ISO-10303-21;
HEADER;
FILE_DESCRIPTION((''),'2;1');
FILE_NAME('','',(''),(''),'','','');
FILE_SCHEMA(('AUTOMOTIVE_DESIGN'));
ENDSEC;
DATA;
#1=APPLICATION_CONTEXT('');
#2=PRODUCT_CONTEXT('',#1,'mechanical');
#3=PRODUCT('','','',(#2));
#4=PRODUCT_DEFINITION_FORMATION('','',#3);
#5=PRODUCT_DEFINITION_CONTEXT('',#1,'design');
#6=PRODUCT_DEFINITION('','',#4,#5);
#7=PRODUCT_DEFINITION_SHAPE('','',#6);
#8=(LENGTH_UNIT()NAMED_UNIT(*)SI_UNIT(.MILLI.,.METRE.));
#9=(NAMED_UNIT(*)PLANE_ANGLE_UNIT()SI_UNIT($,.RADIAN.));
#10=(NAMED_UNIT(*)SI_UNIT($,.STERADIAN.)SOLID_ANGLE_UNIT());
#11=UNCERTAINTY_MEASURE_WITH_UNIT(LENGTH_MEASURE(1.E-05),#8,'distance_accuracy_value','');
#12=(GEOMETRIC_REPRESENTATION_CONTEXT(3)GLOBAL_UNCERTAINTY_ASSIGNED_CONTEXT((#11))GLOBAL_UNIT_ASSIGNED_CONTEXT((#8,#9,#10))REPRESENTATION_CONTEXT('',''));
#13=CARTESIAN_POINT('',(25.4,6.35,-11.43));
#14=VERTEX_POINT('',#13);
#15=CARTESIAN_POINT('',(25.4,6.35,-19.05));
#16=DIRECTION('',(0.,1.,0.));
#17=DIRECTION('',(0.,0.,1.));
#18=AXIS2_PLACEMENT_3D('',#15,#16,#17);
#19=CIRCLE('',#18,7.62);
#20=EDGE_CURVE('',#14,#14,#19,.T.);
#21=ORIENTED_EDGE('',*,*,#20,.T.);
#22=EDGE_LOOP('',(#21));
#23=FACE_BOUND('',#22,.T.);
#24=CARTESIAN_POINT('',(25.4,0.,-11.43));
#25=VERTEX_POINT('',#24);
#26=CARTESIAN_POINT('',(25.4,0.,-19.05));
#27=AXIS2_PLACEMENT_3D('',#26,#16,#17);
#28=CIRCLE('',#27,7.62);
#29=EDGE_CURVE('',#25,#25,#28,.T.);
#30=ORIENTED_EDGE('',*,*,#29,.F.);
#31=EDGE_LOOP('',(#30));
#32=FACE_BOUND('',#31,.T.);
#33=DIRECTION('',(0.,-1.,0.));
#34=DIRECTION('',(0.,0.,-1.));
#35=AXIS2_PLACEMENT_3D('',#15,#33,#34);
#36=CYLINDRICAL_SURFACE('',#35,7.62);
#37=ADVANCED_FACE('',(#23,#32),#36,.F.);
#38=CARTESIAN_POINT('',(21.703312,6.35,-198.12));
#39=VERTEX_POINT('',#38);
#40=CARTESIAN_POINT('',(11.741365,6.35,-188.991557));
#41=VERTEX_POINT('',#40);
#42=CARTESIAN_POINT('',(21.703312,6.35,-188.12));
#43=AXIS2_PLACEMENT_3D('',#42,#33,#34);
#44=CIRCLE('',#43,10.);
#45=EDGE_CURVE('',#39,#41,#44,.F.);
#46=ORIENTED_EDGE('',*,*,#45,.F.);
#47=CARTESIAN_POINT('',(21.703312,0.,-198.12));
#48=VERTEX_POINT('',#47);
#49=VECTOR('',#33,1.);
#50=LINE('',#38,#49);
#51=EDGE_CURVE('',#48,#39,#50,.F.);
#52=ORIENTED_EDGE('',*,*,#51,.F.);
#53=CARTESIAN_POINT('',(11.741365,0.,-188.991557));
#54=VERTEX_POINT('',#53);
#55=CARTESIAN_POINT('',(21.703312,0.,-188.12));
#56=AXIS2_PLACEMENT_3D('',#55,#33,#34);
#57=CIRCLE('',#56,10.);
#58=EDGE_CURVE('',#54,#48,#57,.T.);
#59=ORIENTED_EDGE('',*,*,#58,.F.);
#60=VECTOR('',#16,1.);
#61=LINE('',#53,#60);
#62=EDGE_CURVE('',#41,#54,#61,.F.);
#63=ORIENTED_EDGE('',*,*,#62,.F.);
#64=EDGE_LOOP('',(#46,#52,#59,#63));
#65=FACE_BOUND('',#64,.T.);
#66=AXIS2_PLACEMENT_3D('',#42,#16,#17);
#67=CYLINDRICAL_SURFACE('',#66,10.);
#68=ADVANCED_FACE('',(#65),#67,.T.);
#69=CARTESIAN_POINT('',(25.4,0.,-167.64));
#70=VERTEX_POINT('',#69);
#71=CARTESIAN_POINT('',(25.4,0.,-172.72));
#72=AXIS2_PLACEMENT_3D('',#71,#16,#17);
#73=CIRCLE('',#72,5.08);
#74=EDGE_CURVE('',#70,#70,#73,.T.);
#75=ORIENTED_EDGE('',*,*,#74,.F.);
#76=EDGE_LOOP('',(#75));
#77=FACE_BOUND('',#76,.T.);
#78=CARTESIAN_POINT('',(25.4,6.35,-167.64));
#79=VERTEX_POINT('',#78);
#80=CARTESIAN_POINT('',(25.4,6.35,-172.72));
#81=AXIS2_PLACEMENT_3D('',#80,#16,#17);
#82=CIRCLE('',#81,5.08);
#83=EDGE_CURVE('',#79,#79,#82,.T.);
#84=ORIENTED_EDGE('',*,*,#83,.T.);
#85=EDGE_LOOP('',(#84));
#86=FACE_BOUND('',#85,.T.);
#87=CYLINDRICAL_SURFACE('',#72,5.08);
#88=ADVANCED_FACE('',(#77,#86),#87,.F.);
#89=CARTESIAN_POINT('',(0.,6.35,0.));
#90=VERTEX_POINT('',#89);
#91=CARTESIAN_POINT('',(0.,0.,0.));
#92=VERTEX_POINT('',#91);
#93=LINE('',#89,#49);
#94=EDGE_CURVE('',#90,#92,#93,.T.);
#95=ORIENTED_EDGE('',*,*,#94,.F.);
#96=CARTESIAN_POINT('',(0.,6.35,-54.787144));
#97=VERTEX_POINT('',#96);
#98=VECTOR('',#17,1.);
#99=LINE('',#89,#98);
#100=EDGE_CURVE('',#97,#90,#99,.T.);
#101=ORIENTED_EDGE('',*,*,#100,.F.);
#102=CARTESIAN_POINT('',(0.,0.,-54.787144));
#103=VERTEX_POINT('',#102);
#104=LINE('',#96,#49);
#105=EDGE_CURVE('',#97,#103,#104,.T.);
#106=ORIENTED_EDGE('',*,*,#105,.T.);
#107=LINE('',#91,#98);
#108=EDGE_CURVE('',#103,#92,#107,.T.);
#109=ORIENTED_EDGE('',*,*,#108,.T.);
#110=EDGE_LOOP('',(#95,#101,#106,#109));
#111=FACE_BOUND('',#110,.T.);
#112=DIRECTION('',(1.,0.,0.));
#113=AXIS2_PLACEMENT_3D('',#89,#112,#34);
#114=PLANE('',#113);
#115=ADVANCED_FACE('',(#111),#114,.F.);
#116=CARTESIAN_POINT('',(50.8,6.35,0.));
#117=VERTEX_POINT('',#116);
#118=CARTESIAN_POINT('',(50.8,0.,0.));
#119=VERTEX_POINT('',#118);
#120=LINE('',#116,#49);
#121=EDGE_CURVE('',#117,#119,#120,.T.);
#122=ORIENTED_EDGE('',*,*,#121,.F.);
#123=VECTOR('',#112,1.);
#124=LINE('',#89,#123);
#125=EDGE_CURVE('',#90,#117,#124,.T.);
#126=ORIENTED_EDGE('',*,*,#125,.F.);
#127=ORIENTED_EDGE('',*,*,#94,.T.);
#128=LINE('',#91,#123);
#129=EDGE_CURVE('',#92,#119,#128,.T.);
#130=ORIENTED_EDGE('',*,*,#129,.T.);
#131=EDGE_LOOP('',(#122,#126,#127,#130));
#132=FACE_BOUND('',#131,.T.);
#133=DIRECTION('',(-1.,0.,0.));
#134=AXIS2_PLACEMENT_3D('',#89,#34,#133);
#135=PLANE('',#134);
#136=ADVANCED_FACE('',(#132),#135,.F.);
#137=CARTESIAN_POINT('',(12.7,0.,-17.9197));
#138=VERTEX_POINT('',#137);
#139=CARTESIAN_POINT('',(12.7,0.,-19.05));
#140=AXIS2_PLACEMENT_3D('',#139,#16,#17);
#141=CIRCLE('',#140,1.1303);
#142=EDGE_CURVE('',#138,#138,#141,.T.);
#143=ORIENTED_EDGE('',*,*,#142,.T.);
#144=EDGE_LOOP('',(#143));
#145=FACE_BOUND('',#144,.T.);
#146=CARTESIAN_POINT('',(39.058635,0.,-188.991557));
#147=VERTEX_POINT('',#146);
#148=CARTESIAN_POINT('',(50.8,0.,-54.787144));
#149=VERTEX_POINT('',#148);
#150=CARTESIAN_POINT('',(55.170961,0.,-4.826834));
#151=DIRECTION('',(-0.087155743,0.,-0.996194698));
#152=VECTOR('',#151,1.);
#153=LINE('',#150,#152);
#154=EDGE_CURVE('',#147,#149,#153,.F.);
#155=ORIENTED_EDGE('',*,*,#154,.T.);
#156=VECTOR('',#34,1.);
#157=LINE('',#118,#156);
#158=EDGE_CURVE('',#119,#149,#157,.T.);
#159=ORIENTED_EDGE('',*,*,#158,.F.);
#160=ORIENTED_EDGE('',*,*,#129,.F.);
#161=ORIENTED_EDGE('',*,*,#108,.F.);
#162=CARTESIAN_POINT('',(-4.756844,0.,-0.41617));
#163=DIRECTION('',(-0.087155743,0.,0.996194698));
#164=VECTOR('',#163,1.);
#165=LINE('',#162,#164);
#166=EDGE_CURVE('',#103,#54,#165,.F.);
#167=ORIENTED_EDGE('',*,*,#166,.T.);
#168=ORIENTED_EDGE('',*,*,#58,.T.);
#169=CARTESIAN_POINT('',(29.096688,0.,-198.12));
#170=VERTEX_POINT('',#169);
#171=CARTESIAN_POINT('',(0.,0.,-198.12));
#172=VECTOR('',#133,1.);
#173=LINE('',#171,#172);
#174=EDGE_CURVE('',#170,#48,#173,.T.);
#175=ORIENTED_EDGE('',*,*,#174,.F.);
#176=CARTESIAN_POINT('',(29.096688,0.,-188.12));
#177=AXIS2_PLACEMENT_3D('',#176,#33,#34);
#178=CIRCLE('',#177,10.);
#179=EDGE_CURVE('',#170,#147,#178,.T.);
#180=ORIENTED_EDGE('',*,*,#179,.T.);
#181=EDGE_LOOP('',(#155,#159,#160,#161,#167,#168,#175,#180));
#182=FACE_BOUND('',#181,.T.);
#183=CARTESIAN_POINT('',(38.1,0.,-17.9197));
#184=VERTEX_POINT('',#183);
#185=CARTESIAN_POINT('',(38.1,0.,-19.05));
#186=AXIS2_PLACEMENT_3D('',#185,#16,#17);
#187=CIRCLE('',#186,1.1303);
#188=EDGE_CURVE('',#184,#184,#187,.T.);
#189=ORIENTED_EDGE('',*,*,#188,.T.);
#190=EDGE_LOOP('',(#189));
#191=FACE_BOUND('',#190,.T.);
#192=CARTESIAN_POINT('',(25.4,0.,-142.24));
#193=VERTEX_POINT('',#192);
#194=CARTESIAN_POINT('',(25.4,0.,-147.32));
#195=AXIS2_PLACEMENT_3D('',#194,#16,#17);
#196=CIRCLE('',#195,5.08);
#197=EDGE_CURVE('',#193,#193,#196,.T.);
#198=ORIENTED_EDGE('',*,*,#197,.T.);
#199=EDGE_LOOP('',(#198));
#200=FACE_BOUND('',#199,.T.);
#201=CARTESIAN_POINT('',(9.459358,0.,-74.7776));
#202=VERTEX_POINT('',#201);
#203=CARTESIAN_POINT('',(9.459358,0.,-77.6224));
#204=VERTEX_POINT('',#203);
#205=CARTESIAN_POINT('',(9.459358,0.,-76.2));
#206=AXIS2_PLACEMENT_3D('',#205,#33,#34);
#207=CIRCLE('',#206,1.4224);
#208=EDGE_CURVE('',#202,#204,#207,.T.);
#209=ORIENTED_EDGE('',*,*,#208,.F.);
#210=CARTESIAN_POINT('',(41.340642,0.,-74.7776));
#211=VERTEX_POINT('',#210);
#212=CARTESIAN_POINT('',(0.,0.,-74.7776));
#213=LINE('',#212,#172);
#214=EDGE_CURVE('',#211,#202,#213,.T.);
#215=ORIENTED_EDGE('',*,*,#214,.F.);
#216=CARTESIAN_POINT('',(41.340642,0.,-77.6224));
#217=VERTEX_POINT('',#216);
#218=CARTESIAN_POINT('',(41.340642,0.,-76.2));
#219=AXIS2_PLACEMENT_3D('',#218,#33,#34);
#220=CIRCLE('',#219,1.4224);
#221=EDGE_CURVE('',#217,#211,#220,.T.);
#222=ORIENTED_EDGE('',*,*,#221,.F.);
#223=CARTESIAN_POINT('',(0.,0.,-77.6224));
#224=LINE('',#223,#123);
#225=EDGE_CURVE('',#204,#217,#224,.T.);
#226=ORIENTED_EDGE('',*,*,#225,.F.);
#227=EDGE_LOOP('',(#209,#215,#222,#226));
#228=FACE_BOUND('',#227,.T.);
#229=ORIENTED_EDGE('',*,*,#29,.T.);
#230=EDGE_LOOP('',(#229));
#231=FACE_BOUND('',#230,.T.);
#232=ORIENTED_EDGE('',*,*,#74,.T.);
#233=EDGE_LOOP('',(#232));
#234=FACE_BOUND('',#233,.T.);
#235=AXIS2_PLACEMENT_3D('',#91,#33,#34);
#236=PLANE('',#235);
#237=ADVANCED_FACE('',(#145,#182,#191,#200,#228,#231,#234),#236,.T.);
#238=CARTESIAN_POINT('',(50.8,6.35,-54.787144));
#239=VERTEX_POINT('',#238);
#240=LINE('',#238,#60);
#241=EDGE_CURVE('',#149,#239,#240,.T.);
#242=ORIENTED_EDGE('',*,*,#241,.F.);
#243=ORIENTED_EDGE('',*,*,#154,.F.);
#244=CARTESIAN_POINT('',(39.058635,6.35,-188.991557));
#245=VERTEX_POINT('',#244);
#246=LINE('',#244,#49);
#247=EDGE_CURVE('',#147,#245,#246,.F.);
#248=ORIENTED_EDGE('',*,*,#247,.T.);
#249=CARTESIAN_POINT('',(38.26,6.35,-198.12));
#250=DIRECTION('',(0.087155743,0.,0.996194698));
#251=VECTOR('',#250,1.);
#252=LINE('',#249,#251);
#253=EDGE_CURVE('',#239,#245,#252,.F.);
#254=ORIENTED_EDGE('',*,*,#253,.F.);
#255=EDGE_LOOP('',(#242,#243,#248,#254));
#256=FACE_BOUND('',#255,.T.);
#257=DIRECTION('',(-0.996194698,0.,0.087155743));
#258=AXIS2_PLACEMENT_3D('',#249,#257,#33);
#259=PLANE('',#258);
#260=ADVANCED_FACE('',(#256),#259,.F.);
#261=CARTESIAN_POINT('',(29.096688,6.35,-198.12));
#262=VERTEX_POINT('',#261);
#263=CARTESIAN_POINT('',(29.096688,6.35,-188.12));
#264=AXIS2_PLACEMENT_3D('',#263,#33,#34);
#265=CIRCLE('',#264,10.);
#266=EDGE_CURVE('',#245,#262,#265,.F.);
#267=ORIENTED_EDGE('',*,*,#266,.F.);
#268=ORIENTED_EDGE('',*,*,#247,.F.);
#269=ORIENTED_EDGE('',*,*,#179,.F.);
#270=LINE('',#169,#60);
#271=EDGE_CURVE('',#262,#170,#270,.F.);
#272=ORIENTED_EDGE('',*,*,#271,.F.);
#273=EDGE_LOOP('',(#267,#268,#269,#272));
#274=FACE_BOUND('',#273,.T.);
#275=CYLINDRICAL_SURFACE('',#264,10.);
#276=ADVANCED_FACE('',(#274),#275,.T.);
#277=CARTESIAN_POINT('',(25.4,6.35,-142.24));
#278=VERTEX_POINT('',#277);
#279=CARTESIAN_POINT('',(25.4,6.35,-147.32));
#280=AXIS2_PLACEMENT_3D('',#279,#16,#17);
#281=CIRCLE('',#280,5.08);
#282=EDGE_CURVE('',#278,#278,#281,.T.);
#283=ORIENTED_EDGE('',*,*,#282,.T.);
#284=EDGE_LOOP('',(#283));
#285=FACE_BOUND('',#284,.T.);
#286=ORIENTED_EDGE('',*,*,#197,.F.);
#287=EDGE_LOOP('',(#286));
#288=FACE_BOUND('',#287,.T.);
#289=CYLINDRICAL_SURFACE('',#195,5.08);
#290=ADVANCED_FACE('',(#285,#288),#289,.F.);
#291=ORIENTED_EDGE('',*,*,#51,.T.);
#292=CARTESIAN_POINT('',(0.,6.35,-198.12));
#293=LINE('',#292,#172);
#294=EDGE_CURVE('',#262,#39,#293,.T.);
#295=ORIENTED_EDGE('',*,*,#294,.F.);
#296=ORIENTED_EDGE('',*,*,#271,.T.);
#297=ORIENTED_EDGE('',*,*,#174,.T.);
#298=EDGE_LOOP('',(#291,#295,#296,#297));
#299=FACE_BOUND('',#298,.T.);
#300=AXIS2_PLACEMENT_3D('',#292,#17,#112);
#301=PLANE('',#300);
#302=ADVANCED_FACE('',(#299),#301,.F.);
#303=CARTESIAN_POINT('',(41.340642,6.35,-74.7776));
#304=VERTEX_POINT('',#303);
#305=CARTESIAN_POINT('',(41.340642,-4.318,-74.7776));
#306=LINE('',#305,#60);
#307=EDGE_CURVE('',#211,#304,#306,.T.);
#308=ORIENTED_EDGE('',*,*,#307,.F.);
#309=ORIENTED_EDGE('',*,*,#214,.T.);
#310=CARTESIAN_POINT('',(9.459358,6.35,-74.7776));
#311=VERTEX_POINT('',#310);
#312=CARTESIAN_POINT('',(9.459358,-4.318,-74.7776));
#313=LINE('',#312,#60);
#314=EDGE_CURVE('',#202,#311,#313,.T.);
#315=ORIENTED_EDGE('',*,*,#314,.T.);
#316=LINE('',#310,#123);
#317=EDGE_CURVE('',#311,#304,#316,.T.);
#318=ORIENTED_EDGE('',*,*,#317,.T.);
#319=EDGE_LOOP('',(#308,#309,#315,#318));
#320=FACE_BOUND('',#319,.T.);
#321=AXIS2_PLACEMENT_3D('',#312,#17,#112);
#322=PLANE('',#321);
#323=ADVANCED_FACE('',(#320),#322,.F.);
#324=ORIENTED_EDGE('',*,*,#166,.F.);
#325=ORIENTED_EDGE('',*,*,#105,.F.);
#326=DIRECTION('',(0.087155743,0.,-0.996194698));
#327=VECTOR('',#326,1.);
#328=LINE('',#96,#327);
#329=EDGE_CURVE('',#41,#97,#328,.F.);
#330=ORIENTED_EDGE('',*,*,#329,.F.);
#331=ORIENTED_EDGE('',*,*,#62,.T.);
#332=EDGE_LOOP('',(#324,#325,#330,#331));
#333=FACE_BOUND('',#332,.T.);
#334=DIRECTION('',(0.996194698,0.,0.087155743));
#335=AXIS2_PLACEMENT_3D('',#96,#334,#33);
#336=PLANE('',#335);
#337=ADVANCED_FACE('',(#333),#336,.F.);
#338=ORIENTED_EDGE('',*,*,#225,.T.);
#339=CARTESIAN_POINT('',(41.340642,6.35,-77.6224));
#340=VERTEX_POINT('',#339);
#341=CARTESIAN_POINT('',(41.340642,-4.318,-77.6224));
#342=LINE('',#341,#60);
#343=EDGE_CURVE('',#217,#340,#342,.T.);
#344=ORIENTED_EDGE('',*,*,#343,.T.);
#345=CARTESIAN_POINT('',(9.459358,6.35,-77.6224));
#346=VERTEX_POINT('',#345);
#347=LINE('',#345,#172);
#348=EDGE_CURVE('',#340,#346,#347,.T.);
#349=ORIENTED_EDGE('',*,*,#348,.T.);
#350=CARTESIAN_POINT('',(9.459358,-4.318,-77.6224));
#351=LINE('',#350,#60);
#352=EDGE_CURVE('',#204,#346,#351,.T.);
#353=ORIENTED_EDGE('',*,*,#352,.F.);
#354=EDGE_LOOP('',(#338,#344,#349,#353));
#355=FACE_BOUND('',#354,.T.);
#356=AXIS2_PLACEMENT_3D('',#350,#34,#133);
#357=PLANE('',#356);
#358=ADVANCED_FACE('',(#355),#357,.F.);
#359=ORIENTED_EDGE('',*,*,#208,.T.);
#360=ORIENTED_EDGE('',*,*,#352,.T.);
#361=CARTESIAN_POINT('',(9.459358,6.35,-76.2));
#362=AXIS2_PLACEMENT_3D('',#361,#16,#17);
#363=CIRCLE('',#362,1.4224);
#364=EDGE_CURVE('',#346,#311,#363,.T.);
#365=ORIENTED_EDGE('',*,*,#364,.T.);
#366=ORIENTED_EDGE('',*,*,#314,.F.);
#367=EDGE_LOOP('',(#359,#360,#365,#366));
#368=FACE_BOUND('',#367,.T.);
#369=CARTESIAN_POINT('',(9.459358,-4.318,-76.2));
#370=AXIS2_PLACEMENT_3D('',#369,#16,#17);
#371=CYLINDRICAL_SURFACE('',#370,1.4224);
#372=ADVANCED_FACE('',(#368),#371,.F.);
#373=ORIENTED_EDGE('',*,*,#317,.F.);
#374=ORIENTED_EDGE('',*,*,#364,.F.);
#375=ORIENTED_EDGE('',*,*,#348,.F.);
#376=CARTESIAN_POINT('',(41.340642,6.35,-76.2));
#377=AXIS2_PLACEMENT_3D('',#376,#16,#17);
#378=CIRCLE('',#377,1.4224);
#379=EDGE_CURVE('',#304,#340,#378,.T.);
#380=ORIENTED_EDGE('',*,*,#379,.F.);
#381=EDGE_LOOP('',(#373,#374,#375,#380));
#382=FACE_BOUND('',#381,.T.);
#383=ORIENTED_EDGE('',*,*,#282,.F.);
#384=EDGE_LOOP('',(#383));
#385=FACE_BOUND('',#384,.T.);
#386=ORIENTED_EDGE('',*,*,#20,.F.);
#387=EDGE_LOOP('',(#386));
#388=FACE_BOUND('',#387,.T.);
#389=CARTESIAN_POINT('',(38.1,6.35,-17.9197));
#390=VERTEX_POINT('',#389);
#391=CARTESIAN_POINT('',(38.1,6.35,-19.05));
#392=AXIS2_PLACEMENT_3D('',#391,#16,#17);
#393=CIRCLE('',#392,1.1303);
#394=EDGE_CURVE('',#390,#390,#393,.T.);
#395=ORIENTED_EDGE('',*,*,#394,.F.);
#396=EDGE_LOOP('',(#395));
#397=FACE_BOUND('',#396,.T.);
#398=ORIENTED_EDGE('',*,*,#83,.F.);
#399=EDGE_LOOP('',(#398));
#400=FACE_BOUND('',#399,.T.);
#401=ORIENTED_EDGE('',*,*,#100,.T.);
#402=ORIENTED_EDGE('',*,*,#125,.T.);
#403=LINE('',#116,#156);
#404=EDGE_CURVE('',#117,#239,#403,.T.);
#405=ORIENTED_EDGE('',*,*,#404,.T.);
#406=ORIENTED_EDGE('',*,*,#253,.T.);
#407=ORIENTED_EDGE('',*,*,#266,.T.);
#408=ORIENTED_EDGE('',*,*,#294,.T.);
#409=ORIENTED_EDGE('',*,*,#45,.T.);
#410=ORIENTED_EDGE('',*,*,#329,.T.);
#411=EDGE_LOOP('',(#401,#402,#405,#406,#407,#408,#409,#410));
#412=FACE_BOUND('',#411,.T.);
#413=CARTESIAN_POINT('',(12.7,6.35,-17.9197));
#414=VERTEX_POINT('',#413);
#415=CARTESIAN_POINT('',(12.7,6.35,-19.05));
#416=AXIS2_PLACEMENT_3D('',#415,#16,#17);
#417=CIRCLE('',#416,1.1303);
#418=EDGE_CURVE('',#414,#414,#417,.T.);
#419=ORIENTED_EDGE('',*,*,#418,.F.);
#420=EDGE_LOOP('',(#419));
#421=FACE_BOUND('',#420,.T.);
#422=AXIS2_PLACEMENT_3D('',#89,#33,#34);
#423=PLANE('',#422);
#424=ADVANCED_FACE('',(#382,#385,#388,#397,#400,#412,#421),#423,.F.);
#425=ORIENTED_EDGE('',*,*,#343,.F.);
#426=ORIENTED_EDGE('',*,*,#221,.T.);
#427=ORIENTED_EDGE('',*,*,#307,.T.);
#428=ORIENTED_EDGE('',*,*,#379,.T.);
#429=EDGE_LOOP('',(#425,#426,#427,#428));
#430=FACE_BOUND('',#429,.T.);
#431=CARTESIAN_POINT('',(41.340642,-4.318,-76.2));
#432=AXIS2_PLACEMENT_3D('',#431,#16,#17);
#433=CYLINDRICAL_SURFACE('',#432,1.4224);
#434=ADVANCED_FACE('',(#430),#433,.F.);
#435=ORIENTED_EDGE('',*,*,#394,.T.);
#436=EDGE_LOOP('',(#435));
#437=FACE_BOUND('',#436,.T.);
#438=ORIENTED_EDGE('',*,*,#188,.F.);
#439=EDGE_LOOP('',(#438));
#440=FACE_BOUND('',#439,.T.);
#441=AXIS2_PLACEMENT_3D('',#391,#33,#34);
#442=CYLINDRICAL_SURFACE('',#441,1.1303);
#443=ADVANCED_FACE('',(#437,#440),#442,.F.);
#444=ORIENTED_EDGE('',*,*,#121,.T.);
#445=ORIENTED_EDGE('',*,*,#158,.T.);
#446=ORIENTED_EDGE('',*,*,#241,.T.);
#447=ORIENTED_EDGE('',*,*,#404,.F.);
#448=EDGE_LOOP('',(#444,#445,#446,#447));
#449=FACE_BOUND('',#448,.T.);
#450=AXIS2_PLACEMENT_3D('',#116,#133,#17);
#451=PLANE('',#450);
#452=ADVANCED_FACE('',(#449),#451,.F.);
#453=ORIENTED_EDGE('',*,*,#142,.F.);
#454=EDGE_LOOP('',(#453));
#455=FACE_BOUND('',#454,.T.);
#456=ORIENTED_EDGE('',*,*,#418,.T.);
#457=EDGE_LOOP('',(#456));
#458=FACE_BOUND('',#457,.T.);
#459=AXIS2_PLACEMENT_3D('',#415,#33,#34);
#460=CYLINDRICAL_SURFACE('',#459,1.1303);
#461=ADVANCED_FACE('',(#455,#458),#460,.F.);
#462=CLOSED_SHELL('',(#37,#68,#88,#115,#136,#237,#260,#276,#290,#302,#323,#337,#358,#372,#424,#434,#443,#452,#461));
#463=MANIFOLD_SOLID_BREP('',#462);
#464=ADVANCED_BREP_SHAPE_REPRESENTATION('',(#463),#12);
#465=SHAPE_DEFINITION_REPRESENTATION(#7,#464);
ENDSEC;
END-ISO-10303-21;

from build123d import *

# Parameters (mm, degrees)
SKETCH1_W           = 50.8
SKETCH1_H           = 198.12
SKETCH1_R           = 1.1303
SKETCH1_R_2         = 7.62
BOSS_EXTRUDE1_DEPTH = 6.35
SKETCH2_R           = 5.08
CUT_EXTRUDE1_DEPTH  = 6.35
CHAMFER1_SIZE       = 12.54
CHAMFER1_SIZE2      = 143.332855877
FILLET1_R           = 10
CUT_EXTRUDE2_DEPTH  = 10.668


with BuildPart() as part:
    # Sketch1 → Boss-Extrude1 (new body)
    with BuildSketch(Plane(origin=(0, 0, 0), x_dir=(1, 0, 0), z_dir=(0, 1, 0))):
        with Locations((25.4, 99.06)):
            Rectangle(SKETCH1_W, SKETCH1_H)
        with Locations(Location((12.7, 19.05, 0), (0, 0, 270))):
            Circle(SKETCH1_R, mode=Mode.SUBTRACT)
        with Locations(Location((38.1, 19.05, 0), (0, 0, 270))):
            Circle(SKETCH1_R, mode=Mode.SUBTRACT)
        with Locations(Location((25.4, 19.05, 0), (0, 0, 270))):
            Circle(SKETCH1_R_2, mode=Mode.SUBTRACT)
    extrude(amount=BOSS_EXTRUDE1_DEPTH)

    # Sketch2 → Cut-Extrude1 (cut)
    with BuildSketch(Plane(origin=(0, 6.35, 0), x_dir=(1, 0, 0), z_dir=(0, 1, 0))):
        with Locations(Location((25.4, 172.72, 0), (0, 0, 270))):
            Circle(SKETCH2_R)
        with Locations(Location((25.4, 147.32, 0), (0, 0, 270))):
            Circle(SKETCH2_R)
    extrude(amount=-CUT_EXTRUDE1_DEPTH, mode=Mode.SUBTRACT)

    # Chamfer1
    chamfer1_edges = [part.edges().sort_by_distance(p)[0] for p in [
        (0, 3.175, -198.12),
        (50.8, 3.175, -198.12),
    ]]
    chamfer1_side = [part.faces().sort_by_distance(p)[0] for p in [
        (25.4, 3.175, -198.12),
    ]]
    chamfer(chamfer1_edges, length=CHAMFER1_SIZE, length2=CHAMFER1_SIZE2, reference=chamfer1_side[0])

    # Fillet1
    fillet1_edges = [part.edges().sort_by_distance(p)[0] for p in [
        (12.54, 3.175, -198.12),
        (38.26, 3.175, -198.12),
    ]]
    fillet(fillet1_edges, radius=FILLET1_R)

    # Sketch3 → Cut-Extrude2 (cut)
    with BuildSketch(Plane(origin=(0, 6.35, 0), x_dir=(1, 0, 0), z_dir=(0, 1, 0))):
        with BuildLine():
            Line((9.459358265, 77.6224), (41.340641735, 77.6224))
            ThreePointArc((41.340641735, 77.6224), (42.763041735, 76.2), (41.340641735, 74.7776))
            Line((41.340641735, 74.7776), (9.459358265, 74.7776))
            ThreePointArc((9.459358265, 74.7776), (8.036958265, 76.2), (9.459358265, 77.6224))
        make_face()
    extrude(amount=-CUT_EXTRUDE2_DEPTH, mode=Mode.SUBTRACT)


solid = part.part
